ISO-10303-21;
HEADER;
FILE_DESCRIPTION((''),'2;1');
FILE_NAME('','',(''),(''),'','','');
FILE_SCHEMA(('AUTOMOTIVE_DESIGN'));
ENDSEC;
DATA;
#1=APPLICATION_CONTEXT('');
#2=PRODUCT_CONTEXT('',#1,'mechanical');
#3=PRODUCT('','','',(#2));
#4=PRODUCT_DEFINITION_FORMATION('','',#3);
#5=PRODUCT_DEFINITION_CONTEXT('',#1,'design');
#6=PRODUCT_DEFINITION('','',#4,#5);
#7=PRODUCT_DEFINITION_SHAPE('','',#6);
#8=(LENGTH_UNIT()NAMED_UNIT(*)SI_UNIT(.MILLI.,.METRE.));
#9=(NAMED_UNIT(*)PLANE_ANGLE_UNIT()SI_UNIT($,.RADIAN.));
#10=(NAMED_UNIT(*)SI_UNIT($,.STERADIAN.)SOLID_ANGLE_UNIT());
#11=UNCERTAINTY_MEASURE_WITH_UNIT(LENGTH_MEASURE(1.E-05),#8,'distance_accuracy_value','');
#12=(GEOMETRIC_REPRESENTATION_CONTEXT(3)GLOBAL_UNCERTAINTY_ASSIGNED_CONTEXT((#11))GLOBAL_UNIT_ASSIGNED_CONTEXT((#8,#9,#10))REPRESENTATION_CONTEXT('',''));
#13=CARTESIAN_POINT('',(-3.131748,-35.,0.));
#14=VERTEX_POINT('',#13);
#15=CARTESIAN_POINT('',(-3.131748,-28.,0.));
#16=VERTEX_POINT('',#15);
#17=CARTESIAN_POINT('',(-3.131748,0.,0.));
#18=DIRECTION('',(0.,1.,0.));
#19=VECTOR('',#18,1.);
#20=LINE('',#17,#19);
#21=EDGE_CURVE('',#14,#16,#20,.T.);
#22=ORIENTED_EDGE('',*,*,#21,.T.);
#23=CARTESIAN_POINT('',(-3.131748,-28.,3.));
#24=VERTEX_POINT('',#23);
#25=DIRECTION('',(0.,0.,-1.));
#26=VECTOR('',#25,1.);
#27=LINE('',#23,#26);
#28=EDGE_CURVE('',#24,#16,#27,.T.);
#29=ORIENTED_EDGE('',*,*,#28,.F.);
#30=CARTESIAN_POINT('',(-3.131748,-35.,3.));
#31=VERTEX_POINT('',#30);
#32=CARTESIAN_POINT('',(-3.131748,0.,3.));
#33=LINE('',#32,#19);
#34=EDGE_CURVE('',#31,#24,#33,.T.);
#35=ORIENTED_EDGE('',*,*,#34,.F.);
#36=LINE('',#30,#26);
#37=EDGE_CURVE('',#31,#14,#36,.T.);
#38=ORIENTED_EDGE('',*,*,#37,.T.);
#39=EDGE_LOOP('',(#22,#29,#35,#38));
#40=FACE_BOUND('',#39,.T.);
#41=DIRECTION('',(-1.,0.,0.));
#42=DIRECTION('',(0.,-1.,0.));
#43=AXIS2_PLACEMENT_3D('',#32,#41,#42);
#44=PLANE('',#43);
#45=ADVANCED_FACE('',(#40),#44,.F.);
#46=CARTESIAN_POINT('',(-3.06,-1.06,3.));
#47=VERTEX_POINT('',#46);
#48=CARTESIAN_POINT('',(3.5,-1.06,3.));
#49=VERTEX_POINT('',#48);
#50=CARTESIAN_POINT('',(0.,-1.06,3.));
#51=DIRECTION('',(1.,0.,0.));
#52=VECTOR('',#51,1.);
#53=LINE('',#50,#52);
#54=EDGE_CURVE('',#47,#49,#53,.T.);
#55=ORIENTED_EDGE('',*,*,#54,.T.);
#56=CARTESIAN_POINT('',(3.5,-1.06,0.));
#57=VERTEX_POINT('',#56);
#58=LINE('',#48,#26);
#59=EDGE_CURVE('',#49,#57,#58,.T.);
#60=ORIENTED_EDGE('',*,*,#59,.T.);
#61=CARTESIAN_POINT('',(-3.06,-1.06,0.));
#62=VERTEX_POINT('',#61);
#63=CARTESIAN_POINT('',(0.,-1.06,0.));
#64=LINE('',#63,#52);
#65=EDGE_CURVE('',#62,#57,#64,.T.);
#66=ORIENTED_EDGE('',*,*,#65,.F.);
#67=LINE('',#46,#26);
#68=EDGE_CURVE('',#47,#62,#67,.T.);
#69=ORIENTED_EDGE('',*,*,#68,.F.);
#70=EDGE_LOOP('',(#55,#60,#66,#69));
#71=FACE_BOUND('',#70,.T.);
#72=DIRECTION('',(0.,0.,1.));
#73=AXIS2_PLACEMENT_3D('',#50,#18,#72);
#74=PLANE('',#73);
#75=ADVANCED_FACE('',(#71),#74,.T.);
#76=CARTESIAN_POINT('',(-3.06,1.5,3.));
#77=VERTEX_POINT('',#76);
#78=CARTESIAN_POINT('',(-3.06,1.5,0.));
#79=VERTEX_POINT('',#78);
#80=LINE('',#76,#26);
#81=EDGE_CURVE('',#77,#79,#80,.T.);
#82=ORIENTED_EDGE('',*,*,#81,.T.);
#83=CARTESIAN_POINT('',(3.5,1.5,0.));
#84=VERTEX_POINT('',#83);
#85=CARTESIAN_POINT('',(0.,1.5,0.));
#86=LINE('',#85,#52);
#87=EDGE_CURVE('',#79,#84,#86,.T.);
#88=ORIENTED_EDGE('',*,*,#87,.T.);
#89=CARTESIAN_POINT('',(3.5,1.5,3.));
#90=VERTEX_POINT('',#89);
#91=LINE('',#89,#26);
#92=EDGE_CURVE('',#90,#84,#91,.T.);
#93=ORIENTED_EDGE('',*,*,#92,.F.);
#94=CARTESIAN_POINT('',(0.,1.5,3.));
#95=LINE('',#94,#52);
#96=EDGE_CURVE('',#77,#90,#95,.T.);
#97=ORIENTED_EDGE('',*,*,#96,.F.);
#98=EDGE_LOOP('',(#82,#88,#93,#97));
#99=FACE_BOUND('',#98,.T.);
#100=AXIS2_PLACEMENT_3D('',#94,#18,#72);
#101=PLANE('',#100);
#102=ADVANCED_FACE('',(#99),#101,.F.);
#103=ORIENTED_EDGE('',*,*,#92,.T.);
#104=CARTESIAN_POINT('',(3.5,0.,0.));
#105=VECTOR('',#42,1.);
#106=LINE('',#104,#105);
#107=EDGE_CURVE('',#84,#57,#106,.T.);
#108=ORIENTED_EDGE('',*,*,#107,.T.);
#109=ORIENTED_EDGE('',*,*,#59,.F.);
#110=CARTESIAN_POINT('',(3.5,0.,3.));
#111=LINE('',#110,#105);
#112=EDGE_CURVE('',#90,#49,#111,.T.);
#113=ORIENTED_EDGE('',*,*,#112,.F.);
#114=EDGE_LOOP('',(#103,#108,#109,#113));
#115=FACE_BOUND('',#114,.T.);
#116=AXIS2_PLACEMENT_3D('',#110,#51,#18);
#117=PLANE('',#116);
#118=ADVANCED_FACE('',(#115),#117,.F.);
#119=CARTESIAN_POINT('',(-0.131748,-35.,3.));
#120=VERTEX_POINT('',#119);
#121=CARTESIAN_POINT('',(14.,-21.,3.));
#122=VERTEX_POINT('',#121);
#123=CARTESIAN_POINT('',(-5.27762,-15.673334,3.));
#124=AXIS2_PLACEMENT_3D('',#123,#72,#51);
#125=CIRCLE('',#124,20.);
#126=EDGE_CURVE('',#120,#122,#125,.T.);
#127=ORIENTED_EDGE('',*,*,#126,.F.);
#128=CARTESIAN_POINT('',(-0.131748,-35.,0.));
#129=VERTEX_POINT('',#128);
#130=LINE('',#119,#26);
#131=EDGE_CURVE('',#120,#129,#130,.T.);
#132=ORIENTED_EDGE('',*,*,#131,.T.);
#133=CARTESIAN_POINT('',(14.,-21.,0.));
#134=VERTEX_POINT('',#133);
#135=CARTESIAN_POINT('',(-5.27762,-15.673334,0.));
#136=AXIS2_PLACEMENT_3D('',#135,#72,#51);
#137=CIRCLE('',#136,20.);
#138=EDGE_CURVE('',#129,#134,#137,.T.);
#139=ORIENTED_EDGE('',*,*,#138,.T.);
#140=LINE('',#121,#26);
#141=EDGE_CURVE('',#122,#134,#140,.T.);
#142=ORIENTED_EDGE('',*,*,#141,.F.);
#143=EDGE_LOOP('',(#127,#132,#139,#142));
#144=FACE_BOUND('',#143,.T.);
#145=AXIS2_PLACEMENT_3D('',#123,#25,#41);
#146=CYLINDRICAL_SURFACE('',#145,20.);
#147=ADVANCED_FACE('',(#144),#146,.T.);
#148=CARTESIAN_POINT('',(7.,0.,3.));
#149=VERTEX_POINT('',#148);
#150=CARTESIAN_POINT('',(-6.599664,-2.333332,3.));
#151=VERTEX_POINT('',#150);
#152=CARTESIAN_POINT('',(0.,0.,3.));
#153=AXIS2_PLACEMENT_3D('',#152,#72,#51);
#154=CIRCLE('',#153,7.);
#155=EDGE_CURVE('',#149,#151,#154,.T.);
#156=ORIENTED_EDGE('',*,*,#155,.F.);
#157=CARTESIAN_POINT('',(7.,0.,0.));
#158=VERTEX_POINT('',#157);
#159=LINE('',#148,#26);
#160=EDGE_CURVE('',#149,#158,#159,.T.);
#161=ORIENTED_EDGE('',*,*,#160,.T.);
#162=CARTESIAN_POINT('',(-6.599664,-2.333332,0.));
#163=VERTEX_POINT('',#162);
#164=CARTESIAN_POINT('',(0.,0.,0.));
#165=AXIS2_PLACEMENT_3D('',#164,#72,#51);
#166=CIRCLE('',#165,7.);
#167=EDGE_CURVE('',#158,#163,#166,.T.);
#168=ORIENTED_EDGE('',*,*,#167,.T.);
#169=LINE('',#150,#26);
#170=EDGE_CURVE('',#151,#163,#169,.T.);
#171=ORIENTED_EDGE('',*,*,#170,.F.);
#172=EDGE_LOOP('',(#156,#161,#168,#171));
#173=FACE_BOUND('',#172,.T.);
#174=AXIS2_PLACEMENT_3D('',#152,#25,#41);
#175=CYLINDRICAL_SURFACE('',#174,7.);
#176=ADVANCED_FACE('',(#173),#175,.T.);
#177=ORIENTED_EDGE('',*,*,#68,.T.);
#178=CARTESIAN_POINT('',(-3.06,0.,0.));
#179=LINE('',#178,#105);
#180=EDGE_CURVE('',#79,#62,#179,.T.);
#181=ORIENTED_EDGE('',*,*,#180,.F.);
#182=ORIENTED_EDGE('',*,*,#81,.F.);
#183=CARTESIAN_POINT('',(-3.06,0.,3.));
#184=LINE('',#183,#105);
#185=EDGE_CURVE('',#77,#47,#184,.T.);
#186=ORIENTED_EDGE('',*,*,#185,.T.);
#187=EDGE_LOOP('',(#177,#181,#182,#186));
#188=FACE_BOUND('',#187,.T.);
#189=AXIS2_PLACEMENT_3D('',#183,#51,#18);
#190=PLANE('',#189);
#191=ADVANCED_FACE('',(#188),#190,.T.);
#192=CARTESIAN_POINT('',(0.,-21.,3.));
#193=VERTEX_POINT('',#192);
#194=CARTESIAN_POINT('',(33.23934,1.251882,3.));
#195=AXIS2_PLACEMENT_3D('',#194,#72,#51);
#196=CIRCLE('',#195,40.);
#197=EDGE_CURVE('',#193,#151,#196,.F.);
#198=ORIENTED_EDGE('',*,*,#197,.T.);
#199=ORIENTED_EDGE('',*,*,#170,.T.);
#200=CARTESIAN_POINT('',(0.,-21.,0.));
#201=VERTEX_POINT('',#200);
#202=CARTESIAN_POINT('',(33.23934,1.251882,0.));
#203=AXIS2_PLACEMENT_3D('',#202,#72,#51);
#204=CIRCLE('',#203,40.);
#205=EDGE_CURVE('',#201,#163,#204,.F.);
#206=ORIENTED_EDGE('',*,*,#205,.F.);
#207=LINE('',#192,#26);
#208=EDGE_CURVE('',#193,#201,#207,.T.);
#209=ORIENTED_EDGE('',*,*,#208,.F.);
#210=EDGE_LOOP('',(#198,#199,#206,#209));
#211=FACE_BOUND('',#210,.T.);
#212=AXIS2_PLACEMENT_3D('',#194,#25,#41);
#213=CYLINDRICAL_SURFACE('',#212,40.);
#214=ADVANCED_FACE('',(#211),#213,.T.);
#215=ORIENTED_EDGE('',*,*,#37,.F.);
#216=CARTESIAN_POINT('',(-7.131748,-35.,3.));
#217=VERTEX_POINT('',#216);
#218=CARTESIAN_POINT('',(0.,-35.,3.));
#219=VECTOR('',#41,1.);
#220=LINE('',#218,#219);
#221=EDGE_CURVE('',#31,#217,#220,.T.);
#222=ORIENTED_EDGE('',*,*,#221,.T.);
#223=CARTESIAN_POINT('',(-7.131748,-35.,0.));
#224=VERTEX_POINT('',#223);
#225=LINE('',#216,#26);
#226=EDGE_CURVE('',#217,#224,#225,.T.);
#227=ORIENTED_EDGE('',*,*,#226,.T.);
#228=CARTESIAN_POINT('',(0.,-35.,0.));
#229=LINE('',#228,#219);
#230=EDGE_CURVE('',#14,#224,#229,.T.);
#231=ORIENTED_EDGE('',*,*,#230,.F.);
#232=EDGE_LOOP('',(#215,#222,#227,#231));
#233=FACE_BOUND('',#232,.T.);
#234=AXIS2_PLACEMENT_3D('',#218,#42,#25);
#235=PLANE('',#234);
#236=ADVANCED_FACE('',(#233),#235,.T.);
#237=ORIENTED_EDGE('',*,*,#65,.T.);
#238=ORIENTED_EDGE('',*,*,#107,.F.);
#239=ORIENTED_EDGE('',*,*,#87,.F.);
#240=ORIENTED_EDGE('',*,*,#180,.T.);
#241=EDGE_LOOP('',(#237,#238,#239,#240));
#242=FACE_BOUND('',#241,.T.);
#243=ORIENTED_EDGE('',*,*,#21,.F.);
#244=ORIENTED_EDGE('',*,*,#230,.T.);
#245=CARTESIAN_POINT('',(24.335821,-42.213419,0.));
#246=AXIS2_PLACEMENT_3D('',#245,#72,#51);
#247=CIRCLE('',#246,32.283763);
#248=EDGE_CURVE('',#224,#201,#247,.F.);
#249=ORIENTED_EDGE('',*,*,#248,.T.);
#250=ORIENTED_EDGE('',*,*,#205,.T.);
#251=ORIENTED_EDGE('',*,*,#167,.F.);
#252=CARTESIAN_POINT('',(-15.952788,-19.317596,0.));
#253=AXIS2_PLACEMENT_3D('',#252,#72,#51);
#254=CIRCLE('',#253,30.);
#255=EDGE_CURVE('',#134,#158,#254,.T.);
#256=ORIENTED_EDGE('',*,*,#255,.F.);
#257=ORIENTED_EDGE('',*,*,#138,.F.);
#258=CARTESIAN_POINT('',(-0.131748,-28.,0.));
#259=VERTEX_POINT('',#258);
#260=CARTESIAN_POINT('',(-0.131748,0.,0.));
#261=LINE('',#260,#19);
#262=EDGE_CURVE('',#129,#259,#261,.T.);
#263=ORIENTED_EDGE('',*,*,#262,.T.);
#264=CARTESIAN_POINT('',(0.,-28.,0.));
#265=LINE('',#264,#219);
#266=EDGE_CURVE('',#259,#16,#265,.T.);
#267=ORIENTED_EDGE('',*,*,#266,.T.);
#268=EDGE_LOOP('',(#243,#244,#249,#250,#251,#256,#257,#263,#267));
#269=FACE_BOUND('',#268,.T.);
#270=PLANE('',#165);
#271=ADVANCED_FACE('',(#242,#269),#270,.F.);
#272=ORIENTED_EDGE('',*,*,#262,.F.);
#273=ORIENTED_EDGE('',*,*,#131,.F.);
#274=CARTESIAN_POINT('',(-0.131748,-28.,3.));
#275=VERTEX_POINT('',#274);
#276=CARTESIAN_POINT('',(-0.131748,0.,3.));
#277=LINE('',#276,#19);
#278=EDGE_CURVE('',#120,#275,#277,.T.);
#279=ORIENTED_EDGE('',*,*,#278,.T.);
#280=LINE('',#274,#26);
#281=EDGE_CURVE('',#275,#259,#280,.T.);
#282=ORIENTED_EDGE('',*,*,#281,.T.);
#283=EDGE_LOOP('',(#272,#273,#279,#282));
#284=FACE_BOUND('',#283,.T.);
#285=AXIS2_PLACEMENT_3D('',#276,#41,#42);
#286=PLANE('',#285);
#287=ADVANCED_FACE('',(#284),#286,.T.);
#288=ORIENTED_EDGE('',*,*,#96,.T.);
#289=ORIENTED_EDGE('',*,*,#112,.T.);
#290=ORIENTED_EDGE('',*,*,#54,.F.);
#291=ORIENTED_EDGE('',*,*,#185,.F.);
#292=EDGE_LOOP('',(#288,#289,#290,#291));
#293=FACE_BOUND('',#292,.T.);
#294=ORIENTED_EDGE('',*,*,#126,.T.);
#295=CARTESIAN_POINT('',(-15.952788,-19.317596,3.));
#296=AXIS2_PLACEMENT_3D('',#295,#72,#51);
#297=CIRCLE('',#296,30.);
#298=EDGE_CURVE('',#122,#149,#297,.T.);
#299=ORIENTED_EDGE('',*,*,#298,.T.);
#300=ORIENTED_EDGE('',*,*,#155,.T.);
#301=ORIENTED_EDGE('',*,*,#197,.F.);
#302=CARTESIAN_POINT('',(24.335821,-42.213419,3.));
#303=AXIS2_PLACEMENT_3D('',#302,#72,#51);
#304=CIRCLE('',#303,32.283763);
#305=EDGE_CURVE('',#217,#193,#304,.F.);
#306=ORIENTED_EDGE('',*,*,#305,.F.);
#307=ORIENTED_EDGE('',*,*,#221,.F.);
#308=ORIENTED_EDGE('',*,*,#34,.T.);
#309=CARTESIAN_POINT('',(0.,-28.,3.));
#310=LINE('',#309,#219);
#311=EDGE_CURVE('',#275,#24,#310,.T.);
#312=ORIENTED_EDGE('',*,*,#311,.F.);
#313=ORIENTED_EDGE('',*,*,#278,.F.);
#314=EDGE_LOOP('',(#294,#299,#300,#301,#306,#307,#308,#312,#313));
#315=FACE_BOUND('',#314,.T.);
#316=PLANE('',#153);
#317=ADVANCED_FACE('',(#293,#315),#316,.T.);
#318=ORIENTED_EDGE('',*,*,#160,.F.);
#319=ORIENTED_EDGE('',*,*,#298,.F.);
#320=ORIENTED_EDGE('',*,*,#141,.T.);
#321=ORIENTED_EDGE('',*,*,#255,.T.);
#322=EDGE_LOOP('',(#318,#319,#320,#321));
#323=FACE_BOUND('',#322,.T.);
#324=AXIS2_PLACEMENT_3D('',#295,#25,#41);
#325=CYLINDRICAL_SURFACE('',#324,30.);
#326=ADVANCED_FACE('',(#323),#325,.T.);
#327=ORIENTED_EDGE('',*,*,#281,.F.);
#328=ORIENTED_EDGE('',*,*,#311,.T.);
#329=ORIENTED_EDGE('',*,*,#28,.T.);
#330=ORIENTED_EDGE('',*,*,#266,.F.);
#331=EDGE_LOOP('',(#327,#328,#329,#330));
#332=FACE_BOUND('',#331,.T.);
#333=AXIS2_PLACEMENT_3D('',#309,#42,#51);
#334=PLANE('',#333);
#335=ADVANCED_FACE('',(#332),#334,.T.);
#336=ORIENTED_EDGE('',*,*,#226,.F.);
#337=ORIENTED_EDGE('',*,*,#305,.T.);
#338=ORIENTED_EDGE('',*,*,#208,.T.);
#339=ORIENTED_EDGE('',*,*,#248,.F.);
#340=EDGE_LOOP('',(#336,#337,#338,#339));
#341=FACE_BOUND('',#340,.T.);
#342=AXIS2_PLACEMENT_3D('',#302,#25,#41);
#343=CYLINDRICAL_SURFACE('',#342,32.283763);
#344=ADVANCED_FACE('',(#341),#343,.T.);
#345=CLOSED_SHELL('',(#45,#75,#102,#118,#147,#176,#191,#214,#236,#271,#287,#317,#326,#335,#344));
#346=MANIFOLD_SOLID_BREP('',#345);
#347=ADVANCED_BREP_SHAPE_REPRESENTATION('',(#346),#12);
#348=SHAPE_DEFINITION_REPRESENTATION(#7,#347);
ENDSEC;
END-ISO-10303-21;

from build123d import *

# Parameters (mm, degrees)
CROQUIS1_W              = 6.56
CROQUIS1_H              = 2.56
SALIENTE_EXTRUIR1_DEPTH = 3


with BuildPart() as part:
    # Croquis1 → Saliente-Extruir1 (new body)
    # profile 1 of 4: a face of its own
    with BuildSketch(Plane.XY):
        with BuildLine():
            ThreePointArc((-6.599663594, -2.333332476), (-4.473021287, -12.08145136), (0, -21))
            ThreePointArc((0, -21), (7, -14), (14, -21))
            ThreePointArc((14, -21), (12.507710809, -9.830763064), (7, 0))
            ThreePointArc((7, 0), (-1.183713403, 6.899189994), (-6.599663594, -2.333332476))
        make_face()
        with Locations((0.22, 0.22)):
            Rectangle(CROQUIS1_W, CROQUIS1_H, mode=Mode.SUBTRACT)
    # profile 2 of 4: a face of its own
    with BuildSketch(Plane.XY):
        with BuildLine():
            ThreePointArc((14, -21), (7, -14), (0, -21))
            Line((0, -21), (14, -21))
        make_face()
    # profile 3 of 4: a face of its own
    with BuildSketch(Plane.XY):
        with BuildLine():
            Line((14, -21), (0, -21))
            ThreePointArc((0, -21), (4.213945985, -27.421674472), (11.782258008, -26.111751984))
            ThreePointArc((11.782258008, -26.111751984), (13.070021332, -23.633488722), (14, -21))
        make_face()
    # profile 4 of 4: a face of its own
    with BuildSketch(Plane.XY):
        with BuildLine():
            Line((-7.131748217, -35), (-3.131748217, -35))
            Line((-3.131748217, -35), (-3.131748217, -28))
            Line((-3.131748217, -28), (-0.131748217, -28))
            Line((-0.131748217, -28), (-0.131748217, -35))
            ThreePointArc((-0.131748217, -35), (6.681647081, -31.703803211), (11.782258008, -26.111751984))
            ThreePointArc((11.782258008, -26.111751984), (4.213945985, -27.421674472), (0, -21))
            ThreePointArc((0, -21), (-4.430558492, -27.559520621), (-7.131748217, -35))
        make_face()
    extrude(amount=SALIENTE_EXTRUIR1_DEPTH)


solid = part.part
